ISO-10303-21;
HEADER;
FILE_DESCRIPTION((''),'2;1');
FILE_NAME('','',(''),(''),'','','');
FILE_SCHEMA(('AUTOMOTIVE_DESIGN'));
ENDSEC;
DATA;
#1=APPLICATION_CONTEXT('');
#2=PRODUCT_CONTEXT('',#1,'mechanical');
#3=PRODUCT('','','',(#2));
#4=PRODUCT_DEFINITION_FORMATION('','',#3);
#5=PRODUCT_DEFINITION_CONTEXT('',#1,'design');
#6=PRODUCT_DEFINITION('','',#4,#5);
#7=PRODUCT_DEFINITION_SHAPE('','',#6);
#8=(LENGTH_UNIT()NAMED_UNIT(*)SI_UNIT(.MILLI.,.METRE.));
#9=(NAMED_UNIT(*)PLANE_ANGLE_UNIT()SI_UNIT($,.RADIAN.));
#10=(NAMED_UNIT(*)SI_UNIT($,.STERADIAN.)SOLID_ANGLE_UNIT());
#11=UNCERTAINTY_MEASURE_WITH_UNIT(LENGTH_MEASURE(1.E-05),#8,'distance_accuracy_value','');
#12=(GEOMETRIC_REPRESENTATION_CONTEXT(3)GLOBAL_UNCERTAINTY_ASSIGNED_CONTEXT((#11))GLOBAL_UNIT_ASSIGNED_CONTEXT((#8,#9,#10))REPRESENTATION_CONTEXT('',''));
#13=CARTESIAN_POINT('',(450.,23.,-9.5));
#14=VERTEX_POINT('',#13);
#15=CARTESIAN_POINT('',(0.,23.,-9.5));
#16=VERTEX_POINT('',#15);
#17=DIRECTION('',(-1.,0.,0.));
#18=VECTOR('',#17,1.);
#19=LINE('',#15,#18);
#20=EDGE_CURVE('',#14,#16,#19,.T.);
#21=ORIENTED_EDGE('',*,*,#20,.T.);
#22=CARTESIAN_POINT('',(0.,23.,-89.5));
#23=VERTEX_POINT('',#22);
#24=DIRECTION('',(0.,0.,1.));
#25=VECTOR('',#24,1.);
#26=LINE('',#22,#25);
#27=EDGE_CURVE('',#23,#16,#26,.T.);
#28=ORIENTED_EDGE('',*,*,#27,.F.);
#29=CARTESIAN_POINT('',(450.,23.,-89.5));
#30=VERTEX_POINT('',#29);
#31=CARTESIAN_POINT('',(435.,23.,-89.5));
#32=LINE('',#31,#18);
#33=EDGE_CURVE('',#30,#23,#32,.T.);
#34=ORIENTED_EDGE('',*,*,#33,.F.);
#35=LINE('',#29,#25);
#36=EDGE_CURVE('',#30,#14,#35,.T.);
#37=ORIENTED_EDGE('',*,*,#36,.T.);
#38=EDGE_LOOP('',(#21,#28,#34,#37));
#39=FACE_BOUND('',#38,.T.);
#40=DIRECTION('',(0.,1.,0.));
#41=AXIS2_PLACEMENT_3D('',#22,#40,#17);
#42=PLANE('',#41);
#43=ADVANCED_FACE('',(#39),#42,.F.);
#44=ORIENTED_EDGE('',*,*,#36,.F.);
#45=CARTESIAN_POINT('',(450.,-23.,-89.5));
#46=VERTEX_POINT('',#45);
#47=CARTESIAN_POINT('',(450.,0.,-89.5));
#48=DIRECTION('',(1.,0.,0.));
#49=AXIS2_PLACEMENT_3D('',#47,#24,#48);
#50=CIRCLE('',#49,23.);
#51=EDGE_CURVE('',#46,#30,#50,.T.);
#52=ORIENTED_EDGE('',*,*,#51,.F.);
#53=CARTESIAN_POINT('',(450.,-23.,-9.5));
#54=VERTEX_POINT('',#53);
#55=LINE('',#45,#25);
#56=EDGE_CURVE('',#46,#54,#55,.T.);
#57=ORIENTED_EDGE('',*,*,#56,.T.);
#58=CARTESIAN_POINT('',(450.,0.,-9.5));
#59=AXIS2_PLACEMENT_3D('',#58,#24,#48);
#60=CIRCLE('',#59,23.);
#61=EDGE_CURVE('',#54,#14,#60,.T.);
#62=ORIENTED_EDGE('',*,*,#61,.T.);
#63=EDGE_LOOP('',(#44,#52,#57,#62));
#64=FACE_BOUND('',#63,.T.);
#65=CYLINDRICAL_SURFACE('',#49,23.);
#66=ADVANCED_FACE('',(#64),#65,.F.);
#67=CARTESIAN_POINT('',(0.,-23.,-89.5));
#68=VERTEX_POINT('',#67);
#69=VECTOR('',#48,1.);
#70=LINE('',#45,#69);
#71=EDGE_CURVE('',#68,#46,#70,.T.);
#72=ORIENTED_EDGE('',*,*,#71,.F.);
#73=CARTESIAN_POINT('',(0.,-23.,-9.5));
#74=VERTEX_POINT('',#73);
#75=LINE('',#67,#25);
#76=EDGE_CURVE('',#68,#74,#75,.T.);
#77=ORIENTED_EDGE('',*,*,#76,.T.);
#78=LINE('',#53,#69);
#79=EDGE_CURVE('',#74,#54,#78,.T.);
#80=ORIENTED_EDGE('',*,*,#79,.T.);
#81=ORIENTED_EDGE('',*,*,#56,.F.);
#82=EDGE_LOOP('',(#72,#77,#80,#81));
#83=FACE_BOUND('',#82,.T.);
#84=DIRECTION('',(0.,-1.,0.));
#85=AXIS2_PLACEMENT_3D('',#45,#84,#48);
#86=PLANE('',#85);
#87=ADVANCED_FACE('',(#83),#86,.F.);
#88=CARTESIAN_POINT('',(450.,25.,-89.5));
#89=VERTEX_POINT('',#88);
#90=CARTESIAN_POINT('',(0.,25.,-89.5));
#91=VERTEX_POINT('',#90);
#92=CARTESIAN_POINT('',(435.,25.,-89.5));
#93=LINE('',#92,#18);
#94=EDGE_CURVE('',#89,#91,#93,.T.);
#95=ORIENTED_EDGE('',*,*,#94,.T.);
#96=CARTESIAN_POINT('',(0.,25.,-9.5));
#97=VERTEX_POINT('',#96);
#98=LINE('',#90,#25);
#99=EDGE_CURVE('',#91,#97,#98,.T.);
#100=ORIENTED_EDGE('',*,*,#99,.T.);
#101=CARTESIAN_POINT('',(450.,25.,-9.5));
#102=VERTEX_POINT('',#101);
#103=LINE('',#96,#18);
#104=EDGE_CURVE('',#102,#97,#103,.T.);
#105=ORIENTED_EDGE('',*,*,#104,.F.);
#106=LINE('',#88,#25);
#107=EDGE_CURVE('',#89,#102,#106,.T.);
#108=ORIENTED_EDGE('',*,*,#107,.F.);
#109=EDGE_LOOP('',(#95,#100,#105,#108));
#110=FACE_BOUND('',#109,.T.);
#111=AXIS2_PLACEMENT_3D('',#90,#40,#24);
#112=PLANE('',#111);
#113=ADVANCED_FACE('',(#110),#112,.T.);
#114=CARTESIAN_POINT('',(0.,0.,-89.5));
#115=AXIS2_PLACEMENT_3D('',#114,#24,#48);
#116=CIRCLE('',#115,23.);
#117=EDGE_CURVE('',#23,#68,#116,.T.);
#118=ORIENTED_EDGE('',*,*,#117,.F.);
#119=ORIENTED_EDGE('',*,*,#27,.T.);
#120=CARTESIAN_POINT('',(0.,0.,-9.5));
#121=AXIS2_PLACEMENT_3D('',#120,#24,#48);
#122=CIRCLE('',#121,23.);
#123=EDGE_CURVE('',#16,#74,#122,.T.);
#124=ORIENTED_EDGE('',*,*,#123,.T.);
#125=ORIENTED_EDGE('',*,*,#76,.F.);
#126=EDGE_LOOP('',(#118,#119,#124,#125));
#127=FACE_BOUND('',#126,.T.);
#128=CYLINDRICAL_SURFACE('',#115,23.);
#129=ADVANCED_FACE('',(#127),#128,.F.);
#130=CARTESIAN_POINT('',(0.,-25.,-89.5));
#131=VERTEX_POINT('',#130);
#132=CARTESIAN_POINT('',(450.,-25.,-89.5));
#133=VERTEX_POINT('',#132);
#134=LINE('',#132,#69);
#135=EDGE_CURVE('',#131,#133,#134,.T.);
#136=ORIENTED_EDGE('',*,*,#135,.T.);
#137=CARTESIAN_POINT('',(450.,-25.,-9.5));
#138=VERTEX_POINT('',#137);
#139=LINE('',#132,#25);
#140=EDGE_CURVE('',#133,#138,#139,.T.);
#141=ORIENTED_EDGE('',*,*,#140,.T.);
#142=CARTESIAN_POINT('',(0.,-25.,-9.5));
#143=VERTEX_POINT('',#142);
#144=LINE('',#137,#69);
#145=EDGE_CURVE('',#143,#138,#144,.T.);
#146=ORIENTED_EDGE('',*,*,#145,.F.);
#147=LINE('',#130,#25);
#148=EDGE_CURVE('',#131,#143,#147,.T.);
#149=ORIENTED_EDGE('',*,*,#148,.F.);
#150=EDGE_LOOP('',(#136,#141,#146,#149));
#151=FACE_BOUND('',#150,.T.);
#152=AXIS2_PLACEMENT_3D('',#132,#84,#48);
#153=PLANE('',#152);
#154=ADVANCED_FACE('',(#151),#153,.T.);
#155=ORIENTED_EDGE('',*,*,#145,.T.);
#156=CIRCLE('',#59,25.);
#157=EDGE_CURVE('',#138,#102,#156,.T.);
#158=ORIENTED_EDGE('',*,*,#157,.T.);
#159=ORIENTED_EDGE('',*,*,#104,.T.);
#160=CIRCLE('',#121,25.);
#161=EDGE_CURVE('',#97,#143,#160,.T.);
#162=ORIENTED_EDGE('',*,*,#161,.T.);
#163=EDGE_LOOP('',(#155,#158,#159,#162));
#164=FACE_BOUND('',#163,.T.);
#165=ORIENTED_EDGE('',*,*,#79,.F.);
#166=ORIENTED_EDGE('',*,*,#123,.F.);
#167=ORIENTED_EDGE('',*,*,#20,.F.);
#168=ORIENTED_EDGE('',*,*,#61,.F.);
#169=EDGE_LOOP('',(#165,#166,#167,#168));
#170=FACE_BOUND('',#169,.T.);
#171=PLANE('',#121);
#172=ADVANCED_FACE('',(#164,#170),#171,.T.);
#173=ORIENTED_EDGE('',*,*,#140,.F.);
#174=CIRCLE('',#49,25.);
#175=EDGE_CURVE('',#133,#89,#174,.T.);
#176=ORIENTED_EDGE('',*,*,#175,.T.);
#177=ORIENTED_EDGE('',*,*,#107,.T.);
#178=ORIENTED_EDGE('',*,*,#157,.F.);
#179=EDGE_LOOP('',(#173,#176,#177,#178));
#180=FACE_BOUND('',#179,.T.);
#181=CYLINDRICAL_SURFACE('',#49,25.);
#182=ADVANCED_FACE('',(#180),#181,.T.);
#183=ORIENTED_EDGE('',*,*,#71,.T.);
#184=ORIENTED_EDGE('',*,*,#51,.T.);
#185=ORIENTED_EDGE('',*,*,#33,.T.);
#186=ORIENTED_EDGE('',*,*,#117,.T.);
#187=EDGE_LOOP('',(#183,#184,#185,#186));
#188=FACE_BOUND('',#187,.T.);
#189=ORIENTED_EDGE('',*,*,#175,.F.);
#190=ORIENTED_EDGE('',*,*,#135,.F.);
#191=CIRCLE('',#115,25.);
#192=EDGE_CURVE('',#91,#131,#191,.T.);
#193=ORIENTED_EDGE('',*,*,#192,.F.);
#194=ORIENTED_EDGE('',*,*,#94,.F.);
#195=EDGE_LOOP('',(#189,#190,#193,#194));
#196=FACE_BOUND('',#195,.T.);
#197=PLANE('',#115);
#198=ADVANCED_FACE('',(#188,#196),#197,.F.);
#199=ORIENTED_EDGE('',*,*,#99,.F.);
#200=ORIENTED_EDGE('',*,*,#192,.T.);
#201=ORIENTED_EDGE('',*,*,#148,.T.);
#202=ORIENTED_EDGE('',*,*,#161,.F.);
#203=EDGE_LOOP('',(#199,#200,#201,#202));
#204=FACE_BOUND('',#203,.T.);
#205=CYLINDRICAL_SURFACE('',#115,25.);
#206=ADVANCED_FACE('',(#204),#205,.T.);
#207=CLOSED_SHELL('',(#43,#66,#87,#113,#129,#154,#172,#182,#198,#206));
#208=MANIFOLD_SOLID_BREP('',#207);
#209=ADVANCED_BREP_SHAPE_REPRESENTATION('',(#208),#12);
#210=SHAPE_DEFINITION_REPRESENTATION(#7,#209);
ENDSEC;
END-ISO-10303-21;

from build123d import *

# Parameters (mm, degrees)
AUFSATZ_LINEAR_START            = -9.5
AUFSATZ_LINEAR_AUSTRAGEN1_DEPTH = 80


with BuildPart() as part:
    # Skizze1 → Aufsatz-Linear austragen1 (new body)
    with BuildSketch(Plane.XY.offset(AUFSATZ_LINEAR_START)):
        with BuildLine():
            Line((0, 25), (435, 25))
            Line((435, 25), (450, 25))
            ThreePointArc((450, 25), (475, 0), (450, -25))
            Line((450, -25), (0, -25))
            ThreePointArc((0, -25), (-25, 0), (0, 25))
        make_face()
        with BuildLine():
            Line((0, 23), (435, 23))
            Line((435, 23), (450, 23))
            ThreePointArc((450, 23), (473, 0), (450, -23))
            Line((450, -23), (0, -23))
            ThreePointArc((0, -23), (-23, 0), (0, 23))
        make_face(mode=Mode.SUBTRACT)
    extrude(amount=-AUFSATZ_LINEAR_AUSTRAGEN1_DEPTH)


solid = part.part
